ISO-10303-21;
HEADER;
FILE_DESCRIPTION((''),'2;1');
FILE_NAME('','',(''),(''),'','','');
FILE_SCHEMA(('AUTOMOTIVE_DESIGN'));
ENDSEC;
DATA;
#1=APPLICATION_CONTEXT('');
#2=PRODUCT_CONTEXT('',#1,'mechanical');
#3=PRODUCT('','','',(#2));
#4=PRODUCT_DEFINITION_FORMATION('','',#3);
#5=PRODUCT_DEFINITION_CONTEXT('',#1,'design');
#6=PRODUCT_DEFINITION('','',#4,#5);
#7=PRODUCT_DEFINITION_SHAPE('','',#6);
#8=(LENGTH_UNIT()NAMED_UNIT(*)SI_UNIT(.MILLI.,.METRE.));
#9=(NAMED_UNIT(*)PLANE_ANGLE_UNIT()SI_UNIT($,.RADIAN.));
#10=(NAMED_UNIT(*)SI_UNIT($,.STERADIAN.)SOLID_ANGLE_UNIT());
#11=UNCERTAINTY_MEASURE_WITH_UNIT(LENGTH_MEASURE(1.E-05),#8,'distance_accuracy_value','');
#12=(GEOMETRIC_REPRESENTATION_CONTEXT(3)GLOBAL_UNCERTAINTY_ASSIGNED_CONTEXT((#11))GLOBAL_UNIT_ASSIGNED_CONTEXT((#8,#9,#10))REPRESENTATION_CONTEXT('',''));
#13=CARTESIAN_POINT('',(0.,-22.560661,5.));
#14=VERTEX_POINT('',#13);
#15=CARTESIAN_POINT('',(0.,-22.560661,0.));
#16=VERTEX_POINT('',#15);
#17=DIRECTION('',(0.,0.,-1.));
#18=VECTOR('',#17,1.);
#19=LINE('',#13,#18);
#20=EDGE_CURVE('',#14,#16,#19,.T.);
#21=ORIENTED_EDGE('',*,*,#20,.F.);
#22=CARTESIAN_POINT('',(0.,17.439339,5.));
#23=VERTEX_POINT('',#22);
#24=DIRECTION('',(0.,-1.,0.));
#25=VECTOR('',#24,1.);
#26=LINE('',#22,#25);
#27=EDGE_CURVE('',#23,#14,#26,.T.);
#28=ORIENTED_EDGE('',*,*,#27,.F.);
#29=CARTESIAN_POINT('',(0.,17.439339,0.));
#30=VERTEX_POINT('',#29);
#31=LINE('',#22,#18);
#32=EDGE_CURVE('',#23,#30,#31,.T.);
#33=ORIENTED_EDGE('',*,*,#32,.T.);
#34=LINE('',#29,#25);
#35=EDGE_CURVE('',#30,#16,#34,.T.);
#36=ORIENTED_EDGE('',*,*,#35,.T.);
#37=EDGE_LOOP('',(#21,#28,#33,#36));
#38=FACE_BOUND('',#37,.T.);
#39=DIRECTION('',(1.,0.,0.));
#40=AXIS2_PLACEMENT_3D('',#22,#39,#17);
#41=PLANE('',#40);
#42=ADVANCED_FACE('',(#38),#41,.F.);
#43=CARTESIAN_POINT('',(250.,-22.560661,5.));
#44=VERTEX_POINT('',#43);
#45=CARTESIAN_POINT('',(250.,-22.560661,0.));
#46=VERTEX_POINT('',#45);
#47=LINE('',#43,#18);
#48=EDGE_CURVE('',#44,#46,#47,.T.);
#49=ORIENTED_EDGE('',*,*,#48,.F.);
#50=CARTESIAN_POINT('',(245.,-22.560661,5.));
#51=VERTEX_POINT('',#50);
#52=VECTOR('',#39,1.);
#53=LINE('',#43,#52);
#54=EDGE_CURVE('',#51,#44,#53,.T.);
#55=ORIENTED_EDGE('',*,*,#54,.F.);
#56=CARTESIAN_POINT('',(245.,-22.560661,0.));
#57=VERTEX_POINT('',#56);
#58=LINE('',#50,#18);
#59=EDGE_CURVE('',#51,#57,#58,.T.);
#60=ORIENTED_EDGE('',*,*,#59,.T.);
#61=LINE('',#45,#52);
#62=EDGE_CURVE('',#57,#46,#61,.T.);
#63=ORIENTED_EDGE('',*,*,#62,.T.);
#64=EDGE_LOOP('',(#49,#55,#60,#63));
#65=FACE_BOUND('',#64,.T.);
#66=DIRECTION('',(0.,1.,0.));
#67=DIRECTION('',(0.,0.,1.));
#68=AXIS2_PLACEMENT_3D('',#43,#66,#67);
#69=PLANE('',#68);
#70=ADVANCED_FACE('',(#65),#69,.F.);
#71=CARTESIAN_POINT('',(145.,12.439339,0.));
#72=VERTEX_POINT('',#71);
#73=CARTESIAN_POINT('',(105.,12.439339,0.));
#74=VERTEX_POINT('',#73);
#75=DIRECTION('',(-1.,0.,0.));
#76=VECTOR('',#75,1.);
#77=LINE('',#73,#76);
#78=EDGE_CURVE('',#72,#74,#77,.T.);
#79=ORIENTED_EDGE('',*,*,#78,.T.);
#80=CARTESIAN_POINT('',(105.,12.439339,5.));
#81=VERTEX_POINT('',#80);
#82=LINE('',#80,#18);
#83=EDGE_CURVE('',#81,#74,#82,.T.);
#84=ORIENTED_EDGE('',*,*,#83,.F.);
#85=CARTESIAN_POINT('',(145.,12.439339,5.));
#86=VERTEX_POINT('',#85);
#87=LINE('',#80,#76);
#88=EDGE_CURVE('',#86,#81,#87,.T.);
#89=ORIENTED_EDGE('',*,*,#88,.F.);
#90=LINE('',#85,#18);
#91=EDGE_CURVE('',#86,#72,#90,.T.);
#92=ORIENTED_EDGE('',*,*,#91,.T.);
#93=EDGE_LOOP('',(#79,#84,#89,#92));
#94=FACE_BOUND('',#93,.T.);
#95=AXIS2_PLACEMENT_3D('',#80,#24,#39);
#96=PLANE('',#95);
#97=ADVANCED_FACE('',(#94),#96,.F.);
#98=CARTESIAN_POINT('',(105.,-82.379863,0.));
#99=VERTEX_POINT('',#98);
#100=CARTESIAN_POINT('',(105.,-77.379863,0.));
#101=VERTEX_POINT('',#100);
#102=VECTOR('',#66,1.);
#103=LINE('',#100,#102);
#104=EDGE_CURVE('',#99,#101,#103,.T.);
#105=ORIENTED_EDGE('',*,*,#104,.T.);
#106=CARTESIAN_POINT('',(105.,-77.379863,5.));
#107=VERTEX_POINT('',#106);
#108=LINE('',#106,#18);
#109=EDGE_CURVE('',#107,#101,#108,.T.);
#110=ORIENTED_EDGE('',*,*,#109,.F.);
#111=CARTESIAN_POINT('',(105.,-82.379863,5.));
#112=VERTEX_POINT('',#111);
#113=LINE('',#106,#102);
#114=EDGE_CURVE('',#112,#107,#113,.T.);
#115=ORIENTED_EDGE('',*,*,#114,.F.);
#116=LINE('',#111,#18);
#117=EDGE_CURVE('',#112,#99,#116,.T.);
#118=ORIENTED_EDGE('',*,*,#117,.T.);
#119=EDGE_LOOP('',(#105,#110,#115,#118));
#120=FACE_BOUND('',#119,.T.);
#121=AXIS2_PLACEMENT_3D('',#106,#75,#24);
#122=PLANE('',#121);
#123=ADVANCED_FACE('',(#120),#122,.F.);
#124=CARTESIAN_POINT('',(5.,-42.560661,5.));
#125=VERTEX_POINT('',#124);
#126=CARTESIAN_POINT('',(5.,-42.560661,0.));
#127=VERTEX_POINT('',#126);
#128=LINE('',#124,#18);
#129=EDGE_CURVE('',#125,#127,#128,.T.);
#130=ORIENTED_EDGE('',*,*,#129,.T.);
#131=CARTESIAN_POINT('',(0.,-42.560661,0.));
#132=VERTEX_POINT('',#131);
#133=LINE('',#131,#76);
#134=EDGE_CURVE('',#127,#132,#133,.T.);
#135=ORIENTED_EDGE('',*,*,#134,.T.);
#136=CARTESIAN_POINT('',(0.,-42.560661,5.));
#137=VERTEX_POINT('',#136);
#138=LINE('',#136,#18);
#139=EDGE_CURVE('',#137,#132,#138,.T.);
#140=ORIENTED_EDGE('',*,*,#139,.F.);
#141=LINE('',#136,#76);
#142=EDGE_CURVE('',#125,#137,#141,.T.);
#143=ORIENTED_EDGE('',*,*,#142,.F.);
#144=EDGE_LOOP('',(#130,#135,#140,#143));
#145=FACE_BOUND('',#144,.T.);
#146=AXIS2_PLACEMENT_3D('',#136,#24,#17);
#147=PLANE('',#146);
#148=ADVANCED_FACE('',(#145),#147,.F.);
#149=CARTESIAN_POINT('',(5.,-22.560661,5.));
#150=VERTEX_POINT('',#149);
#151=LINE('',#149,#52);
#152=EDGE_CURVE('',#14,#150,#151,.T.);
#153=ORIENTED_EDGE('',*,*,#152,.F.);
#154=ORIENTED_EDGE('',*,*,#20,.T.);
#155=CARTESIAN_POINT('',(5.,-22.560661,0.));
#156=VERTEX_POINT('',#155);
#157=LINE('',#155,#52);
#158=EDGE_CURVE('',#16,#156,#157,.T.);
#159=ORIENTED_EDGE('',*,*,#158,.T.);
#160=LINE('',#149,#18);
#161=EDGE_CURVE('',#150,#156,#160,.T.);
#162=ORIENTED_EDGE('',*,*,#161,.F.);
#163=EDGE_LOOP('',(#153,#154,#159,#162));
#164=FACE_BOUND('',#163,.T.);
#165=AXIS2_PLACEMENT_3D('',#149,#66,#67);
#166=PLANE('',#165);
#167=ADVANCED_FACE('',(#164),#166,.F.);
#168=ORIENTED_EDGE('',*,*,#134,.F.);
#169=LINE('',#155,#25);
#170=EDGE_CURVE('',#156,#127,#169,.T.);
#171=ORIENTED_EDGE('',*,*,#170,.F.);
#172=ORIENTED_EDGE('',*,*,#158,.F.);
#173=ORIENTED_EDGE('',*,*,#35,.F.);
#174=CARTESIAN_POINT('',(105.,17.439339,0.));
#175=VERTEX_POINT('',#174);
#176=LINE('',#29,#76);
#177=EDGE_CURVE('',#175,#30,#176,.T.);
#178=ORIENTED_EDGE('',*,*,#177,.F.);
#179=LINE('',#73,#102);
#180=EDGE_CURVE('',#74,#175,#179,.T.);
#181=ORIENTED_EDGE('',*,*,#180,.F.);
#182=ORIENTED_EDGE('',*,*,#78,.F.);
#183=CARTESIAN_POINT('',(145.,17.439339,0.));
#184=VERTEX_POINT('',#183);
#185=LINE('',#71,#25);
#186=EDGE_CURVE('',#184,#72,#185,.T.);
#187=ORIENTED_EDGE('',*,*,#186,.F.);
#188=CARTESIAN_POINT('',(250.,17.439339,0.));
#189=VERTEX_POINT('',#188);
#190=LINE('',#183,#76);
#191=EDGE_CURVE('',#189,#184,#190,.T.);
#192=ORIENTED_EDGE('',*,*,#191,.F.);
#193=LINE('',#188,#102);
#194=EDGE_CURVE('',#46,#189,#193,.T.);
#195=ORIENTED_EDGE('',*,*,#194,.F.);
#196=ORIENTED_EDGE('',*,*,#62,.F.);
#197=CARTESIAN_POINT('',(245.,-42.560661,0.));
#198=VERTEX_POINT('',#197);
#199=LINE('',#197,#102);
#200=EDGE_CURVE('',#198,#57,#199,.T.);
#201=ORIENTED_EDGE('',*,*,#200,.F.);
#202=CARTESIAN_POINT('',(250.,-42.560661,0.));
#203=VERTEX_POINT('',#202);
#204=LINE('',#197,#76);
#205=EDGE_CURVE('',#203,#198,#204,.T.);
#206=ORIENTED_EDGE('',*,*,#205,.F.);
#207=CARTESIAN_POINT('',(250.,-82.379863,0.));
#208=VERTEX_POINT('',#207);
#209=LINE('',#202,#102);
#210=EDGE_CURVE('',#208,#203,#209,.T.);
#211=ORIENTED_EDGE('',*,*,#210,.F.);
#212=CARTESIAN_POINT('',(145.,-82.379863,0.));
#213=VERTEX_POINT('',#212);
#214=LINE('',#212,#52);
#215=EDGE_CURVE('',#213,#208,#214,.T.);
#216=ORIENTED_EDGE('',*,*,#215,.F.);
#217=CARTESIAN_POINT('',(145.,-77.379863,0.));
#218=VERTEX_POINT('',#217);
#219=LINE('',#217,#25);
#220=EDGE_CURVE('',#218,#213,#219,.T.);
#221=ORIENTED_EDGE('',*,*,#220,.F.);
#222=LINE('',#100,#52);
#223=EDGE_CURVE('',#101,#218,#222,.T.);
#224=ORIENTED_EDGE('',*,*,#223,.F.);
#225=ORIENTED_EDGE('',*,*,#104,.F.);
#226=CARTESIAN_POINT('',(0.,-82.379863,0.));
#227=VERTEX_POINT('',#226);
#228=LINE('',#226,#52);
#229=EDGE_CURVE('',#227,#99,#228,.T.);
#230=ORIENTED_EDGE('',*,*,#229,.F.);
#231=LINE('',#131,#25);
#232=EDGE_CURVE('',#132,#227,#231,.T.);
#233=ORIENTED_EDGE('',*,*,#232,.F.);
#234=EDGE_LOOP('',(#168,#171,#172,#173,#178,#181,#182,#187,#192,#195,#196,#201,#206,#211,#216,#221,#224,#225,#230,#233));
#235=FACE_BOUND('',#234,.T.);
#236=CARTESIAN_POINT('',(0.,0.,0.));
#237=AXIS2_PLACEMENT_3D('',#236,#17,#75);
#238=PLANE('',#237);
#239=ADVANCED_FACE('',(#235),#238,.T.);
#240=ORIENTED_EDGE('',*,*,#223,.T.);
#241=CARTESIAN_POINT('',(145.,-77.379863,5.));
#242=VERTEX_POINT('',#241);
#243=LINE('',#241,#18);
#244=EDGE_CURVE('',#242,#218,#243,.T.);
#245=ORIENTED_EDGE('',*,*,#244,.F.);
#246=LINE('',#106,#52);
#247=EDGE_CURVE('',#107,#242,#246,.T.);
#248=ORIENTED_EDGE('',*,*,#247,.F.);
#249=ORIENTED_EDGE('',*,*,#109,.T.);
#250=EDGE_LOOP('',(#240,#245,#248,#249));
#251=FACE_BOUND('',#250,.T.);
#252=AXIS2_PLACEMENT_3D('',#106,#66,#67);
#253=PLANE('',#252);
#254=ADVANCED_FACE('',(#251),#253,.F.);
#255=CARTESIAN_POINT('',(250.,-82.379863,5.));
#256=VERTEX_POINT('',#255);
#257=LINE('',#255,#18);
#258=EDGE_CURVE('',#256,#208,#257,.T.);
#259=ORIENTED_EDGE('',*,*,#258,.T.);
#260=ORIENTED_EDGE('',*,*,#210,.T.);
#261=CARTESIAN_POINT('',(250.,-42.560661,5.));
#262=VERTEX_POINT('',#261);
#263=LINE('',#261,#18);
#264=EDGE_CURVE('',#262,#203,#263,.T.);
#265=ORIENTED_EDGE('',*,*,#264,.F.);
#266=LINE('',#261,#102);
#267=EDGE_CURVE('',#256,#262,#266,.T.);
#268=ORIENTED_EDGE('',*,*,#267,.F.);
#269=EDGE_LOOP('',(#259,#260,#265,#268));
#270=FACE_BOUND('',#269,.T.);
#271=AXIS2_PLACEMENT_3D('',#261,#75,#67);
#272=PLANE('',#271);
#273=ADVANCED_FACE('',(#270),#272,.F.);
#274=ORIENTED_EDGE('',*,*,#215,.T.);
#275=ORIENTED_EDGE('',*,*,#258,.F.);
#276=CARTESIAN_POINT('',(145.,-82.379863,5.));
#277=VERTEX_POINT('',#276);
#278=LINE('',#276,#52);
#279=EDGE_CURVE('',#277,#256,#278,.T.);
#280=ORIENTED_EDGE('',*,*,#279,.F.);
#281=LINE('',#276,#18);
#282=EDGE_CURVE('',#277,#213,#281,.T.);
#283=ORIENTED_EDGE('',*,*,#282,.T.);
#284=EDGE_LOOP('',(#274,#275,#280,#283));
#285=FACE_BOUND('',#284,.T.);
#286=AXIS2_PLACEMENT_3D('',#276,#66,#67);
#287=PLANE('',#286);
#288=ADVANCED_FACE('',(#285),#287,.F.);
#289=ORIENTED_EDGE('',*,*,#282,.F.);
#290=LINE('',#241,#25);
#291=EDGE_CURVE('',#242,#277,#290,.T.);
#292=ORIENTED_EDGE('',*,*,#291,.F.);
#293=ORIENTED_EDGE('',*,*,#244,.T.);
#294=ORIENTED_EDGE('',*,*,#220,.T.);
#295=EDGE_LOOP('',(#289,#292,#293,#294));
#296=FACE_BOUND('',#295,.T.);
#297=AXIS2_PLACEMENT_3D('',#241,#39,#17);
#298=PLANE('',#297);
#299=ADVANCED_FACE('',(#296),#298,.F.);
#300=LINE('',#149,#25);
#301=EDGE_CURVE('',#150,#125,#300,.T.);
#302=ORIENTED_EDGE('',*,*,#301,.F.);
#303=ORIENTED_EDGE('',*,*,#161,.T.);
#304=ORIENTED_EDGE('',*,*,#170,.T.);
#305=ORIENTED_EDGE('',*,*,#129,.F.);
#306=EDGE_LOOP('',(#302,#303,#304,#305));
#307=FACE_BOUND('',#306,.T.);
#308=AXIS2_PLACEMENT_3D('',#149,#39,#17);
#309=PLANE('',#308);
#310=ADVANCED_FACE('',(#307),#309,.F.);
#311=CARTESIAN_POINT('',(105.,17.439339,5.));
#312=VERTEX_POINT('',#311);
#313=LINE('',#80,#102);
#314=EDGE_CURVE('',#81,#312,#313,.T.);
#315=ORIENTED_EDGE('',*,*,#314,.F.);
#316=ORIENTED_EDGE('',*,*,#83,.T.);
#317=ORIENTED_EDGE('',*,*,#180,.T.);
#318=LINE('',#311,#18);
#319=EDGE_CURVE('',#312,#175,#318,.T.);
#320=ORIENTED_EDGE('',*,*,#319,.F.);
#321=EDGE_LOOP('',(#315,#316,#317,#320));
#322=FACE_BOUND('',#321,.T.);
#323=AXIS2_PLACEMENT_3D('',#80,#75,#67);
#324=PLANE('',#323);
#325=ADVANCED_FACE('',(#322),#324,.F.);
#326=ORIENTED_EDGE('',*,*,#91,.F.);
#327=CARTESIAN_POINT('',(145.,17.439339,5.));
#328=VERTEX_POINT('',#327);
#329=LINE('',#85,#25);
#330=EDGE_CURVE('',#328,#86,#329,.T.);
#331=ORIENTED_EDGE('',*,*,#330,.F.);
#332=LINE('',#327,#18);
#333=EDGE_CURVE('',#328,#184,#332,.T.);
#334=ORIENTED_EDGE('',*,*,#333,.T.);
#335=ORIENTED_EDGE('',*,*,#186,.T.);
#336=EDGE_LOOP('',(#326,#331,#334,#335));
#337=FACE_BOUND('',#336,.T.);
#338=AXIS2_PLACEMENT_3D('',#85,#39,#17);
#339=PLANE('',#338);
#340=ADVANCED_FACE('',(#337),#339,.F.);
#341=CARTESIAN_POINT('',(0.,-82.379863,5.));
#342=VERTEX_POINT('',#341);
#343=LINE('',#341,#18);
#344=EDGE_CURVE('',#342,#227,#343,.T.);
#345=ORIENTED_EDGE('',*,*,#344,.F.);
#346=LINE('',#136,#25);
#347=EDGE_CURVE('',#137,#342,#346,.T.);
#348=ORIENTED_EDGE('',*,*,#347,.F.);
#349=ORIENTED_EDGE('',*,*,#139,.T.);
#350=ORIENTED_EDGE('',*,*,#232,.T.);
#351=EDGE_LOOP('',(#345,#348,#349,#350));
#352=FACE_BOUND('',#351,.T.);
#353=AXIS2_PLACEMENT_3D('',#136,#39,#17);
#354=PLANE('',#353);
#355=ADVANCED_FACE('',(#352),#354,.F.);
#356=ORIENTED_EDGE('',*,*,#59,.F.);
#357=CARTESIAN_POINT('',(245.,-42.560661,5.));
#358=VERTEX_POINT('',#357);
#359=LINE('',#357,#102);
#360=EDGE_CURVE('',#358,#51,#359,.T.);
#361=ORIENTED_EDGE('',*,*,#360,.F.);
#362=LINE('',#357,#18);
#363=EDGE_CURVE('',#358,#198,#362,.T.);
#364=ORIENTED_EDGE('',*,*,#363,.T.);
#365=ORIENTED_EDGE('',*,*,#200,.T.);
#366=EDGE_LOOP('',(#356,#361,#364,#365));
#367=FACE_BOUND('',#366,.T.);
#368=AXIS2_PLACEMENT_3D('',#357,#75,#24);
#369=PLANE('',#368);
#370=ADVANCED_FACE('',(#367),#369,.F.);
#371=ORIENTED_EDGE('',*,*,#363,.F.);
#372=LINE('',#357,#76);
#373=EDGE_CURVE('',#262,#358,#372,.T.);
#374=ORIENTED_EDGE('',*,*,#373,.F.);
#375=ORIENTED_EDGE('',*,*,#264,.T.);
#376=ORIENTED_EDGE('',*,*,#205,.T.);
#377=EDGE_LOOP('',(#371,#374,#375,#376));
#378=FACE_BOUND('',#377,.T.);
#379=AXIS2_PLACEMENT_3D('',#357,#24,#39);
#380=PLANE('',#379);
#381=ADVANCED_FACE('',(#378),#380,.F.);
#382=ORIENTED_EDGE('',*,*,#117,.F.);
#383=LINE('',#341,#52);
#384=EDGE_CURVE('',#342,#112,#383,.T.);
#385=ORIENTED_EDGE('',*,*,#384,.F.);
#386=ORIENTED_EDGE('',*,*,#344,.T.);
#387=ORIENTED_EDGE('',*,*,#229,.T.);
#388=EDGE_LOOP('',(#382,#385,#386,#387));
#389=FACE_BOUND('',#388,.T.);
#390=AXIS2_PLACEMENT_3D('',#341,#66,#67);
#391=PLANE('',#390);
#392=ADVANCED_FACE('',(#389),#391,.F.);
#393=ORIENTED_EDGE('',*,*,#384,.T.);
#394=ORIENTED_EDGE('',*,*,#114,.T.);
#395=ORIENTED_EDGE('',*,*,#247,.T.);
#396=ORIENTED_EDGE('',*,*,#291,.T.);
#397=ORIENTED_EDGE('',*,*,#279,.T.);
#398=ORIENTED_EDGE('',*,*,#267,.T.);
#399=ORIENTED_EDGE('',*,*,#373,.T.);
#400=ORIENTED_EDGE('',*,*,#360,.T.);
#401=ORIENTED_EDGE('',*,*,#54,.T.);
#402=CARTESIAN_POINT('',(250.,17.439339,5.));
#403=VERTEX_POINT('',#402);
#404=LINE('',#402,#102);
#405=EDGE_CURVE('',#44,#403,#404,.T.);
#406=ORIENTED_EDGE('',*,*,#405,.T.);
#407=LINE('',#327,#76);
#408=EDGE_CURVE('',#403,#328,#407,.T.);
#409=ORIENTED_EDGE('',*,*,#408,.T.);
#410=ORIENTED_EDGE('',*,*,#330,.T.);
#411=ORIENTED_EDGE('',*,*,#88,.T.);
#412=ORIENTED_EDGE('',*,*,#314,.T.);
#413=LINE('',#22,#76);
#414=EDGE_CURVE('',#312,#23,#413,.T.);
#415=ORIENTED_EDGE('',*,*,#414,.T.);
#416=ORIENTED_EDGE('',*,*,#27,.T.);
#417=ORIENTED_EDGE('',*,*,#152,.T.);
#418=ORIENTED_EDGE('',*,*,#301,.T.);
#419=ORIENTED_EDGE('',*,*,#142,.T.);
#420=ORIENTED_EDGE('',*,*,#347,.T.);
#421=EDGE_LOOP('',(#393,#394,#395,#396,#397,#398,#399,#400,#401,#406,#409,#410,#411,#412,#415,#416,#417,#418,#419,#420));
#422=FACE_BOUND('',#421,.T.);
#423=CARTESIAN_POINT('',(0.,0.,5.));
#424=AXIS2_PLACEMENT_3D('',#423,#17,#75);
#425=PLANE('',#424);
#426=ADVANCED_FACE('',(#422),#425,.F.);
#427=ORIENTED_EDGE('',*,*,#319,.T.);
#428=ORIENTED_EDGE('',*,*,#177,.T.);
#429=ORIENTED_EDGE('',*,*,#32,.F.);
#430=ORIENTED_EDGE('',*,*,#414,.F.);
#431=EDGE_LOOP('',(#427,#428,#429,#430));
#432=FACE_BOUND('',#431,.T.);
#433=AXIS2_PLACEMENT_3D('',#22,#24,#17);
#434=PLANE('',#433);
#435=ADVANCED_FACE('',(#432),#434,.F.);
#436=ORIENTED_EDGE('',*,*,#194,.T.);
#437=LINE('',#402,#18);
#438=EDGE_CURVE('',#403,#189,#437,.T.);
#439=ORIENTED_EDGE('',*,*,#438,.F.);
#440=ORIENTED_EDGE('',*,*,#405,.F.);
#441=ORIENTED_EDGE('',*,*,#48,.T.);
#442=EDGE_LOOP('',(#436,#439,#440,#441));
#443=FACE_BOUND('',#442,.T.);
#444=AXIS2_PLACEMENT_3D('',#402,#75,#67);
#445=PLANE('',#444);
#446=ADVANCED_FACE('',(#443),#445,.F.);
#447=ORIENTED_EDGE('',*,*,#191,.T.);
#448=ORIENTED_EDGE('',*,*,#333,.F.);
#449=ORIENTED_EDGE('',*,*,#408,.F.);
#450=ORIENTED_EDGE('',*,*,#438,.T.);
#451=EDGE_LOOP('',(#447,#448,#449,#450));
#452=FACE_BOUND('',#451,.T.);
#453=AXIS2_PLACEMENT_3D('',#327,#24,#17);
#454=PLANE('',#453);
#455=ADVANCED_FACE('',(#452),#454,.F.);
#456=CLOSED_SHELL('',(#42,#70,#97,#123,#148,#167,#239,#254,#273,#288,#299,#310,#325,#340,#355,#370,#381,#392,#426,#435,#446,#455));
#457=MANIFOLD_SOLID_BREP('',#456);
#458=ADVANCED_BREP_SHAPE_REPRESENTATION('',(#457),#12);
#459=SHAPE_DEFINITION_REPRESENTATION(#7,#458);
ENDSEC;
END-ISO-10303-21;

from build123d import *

# Parameters (mm, degrees)
BOSS_EXTRU_1_DEPTH = 5


with BuildPart() as part:
    # Esquisse1 → Boss.-Extru.1 (new body)
    with BuildSketch(Plane.XY):
        Polygon((105, 12.43933918), (105, 17.43933918), (0, 17.43933918), (0, -22.56066082), (5, -22.56066082), (5, -42.56066082), (0, -42.56066082), (0, -82.3798627), (105, -82.3798627), (105, -77.3798627), (145, -77.3798627), (145, -82.3798627), (250, -82.3798627), (250, -42.56066082), (245, -42.56066082), (245, -22.56066082), (250, -22.56066082), (250, 17.43933918), (145, 17.43933918), (145, 12.43933918), align=None)
    extrude(amount=BOSS_EXTRU_1_DEPTH)


solid = part.part
